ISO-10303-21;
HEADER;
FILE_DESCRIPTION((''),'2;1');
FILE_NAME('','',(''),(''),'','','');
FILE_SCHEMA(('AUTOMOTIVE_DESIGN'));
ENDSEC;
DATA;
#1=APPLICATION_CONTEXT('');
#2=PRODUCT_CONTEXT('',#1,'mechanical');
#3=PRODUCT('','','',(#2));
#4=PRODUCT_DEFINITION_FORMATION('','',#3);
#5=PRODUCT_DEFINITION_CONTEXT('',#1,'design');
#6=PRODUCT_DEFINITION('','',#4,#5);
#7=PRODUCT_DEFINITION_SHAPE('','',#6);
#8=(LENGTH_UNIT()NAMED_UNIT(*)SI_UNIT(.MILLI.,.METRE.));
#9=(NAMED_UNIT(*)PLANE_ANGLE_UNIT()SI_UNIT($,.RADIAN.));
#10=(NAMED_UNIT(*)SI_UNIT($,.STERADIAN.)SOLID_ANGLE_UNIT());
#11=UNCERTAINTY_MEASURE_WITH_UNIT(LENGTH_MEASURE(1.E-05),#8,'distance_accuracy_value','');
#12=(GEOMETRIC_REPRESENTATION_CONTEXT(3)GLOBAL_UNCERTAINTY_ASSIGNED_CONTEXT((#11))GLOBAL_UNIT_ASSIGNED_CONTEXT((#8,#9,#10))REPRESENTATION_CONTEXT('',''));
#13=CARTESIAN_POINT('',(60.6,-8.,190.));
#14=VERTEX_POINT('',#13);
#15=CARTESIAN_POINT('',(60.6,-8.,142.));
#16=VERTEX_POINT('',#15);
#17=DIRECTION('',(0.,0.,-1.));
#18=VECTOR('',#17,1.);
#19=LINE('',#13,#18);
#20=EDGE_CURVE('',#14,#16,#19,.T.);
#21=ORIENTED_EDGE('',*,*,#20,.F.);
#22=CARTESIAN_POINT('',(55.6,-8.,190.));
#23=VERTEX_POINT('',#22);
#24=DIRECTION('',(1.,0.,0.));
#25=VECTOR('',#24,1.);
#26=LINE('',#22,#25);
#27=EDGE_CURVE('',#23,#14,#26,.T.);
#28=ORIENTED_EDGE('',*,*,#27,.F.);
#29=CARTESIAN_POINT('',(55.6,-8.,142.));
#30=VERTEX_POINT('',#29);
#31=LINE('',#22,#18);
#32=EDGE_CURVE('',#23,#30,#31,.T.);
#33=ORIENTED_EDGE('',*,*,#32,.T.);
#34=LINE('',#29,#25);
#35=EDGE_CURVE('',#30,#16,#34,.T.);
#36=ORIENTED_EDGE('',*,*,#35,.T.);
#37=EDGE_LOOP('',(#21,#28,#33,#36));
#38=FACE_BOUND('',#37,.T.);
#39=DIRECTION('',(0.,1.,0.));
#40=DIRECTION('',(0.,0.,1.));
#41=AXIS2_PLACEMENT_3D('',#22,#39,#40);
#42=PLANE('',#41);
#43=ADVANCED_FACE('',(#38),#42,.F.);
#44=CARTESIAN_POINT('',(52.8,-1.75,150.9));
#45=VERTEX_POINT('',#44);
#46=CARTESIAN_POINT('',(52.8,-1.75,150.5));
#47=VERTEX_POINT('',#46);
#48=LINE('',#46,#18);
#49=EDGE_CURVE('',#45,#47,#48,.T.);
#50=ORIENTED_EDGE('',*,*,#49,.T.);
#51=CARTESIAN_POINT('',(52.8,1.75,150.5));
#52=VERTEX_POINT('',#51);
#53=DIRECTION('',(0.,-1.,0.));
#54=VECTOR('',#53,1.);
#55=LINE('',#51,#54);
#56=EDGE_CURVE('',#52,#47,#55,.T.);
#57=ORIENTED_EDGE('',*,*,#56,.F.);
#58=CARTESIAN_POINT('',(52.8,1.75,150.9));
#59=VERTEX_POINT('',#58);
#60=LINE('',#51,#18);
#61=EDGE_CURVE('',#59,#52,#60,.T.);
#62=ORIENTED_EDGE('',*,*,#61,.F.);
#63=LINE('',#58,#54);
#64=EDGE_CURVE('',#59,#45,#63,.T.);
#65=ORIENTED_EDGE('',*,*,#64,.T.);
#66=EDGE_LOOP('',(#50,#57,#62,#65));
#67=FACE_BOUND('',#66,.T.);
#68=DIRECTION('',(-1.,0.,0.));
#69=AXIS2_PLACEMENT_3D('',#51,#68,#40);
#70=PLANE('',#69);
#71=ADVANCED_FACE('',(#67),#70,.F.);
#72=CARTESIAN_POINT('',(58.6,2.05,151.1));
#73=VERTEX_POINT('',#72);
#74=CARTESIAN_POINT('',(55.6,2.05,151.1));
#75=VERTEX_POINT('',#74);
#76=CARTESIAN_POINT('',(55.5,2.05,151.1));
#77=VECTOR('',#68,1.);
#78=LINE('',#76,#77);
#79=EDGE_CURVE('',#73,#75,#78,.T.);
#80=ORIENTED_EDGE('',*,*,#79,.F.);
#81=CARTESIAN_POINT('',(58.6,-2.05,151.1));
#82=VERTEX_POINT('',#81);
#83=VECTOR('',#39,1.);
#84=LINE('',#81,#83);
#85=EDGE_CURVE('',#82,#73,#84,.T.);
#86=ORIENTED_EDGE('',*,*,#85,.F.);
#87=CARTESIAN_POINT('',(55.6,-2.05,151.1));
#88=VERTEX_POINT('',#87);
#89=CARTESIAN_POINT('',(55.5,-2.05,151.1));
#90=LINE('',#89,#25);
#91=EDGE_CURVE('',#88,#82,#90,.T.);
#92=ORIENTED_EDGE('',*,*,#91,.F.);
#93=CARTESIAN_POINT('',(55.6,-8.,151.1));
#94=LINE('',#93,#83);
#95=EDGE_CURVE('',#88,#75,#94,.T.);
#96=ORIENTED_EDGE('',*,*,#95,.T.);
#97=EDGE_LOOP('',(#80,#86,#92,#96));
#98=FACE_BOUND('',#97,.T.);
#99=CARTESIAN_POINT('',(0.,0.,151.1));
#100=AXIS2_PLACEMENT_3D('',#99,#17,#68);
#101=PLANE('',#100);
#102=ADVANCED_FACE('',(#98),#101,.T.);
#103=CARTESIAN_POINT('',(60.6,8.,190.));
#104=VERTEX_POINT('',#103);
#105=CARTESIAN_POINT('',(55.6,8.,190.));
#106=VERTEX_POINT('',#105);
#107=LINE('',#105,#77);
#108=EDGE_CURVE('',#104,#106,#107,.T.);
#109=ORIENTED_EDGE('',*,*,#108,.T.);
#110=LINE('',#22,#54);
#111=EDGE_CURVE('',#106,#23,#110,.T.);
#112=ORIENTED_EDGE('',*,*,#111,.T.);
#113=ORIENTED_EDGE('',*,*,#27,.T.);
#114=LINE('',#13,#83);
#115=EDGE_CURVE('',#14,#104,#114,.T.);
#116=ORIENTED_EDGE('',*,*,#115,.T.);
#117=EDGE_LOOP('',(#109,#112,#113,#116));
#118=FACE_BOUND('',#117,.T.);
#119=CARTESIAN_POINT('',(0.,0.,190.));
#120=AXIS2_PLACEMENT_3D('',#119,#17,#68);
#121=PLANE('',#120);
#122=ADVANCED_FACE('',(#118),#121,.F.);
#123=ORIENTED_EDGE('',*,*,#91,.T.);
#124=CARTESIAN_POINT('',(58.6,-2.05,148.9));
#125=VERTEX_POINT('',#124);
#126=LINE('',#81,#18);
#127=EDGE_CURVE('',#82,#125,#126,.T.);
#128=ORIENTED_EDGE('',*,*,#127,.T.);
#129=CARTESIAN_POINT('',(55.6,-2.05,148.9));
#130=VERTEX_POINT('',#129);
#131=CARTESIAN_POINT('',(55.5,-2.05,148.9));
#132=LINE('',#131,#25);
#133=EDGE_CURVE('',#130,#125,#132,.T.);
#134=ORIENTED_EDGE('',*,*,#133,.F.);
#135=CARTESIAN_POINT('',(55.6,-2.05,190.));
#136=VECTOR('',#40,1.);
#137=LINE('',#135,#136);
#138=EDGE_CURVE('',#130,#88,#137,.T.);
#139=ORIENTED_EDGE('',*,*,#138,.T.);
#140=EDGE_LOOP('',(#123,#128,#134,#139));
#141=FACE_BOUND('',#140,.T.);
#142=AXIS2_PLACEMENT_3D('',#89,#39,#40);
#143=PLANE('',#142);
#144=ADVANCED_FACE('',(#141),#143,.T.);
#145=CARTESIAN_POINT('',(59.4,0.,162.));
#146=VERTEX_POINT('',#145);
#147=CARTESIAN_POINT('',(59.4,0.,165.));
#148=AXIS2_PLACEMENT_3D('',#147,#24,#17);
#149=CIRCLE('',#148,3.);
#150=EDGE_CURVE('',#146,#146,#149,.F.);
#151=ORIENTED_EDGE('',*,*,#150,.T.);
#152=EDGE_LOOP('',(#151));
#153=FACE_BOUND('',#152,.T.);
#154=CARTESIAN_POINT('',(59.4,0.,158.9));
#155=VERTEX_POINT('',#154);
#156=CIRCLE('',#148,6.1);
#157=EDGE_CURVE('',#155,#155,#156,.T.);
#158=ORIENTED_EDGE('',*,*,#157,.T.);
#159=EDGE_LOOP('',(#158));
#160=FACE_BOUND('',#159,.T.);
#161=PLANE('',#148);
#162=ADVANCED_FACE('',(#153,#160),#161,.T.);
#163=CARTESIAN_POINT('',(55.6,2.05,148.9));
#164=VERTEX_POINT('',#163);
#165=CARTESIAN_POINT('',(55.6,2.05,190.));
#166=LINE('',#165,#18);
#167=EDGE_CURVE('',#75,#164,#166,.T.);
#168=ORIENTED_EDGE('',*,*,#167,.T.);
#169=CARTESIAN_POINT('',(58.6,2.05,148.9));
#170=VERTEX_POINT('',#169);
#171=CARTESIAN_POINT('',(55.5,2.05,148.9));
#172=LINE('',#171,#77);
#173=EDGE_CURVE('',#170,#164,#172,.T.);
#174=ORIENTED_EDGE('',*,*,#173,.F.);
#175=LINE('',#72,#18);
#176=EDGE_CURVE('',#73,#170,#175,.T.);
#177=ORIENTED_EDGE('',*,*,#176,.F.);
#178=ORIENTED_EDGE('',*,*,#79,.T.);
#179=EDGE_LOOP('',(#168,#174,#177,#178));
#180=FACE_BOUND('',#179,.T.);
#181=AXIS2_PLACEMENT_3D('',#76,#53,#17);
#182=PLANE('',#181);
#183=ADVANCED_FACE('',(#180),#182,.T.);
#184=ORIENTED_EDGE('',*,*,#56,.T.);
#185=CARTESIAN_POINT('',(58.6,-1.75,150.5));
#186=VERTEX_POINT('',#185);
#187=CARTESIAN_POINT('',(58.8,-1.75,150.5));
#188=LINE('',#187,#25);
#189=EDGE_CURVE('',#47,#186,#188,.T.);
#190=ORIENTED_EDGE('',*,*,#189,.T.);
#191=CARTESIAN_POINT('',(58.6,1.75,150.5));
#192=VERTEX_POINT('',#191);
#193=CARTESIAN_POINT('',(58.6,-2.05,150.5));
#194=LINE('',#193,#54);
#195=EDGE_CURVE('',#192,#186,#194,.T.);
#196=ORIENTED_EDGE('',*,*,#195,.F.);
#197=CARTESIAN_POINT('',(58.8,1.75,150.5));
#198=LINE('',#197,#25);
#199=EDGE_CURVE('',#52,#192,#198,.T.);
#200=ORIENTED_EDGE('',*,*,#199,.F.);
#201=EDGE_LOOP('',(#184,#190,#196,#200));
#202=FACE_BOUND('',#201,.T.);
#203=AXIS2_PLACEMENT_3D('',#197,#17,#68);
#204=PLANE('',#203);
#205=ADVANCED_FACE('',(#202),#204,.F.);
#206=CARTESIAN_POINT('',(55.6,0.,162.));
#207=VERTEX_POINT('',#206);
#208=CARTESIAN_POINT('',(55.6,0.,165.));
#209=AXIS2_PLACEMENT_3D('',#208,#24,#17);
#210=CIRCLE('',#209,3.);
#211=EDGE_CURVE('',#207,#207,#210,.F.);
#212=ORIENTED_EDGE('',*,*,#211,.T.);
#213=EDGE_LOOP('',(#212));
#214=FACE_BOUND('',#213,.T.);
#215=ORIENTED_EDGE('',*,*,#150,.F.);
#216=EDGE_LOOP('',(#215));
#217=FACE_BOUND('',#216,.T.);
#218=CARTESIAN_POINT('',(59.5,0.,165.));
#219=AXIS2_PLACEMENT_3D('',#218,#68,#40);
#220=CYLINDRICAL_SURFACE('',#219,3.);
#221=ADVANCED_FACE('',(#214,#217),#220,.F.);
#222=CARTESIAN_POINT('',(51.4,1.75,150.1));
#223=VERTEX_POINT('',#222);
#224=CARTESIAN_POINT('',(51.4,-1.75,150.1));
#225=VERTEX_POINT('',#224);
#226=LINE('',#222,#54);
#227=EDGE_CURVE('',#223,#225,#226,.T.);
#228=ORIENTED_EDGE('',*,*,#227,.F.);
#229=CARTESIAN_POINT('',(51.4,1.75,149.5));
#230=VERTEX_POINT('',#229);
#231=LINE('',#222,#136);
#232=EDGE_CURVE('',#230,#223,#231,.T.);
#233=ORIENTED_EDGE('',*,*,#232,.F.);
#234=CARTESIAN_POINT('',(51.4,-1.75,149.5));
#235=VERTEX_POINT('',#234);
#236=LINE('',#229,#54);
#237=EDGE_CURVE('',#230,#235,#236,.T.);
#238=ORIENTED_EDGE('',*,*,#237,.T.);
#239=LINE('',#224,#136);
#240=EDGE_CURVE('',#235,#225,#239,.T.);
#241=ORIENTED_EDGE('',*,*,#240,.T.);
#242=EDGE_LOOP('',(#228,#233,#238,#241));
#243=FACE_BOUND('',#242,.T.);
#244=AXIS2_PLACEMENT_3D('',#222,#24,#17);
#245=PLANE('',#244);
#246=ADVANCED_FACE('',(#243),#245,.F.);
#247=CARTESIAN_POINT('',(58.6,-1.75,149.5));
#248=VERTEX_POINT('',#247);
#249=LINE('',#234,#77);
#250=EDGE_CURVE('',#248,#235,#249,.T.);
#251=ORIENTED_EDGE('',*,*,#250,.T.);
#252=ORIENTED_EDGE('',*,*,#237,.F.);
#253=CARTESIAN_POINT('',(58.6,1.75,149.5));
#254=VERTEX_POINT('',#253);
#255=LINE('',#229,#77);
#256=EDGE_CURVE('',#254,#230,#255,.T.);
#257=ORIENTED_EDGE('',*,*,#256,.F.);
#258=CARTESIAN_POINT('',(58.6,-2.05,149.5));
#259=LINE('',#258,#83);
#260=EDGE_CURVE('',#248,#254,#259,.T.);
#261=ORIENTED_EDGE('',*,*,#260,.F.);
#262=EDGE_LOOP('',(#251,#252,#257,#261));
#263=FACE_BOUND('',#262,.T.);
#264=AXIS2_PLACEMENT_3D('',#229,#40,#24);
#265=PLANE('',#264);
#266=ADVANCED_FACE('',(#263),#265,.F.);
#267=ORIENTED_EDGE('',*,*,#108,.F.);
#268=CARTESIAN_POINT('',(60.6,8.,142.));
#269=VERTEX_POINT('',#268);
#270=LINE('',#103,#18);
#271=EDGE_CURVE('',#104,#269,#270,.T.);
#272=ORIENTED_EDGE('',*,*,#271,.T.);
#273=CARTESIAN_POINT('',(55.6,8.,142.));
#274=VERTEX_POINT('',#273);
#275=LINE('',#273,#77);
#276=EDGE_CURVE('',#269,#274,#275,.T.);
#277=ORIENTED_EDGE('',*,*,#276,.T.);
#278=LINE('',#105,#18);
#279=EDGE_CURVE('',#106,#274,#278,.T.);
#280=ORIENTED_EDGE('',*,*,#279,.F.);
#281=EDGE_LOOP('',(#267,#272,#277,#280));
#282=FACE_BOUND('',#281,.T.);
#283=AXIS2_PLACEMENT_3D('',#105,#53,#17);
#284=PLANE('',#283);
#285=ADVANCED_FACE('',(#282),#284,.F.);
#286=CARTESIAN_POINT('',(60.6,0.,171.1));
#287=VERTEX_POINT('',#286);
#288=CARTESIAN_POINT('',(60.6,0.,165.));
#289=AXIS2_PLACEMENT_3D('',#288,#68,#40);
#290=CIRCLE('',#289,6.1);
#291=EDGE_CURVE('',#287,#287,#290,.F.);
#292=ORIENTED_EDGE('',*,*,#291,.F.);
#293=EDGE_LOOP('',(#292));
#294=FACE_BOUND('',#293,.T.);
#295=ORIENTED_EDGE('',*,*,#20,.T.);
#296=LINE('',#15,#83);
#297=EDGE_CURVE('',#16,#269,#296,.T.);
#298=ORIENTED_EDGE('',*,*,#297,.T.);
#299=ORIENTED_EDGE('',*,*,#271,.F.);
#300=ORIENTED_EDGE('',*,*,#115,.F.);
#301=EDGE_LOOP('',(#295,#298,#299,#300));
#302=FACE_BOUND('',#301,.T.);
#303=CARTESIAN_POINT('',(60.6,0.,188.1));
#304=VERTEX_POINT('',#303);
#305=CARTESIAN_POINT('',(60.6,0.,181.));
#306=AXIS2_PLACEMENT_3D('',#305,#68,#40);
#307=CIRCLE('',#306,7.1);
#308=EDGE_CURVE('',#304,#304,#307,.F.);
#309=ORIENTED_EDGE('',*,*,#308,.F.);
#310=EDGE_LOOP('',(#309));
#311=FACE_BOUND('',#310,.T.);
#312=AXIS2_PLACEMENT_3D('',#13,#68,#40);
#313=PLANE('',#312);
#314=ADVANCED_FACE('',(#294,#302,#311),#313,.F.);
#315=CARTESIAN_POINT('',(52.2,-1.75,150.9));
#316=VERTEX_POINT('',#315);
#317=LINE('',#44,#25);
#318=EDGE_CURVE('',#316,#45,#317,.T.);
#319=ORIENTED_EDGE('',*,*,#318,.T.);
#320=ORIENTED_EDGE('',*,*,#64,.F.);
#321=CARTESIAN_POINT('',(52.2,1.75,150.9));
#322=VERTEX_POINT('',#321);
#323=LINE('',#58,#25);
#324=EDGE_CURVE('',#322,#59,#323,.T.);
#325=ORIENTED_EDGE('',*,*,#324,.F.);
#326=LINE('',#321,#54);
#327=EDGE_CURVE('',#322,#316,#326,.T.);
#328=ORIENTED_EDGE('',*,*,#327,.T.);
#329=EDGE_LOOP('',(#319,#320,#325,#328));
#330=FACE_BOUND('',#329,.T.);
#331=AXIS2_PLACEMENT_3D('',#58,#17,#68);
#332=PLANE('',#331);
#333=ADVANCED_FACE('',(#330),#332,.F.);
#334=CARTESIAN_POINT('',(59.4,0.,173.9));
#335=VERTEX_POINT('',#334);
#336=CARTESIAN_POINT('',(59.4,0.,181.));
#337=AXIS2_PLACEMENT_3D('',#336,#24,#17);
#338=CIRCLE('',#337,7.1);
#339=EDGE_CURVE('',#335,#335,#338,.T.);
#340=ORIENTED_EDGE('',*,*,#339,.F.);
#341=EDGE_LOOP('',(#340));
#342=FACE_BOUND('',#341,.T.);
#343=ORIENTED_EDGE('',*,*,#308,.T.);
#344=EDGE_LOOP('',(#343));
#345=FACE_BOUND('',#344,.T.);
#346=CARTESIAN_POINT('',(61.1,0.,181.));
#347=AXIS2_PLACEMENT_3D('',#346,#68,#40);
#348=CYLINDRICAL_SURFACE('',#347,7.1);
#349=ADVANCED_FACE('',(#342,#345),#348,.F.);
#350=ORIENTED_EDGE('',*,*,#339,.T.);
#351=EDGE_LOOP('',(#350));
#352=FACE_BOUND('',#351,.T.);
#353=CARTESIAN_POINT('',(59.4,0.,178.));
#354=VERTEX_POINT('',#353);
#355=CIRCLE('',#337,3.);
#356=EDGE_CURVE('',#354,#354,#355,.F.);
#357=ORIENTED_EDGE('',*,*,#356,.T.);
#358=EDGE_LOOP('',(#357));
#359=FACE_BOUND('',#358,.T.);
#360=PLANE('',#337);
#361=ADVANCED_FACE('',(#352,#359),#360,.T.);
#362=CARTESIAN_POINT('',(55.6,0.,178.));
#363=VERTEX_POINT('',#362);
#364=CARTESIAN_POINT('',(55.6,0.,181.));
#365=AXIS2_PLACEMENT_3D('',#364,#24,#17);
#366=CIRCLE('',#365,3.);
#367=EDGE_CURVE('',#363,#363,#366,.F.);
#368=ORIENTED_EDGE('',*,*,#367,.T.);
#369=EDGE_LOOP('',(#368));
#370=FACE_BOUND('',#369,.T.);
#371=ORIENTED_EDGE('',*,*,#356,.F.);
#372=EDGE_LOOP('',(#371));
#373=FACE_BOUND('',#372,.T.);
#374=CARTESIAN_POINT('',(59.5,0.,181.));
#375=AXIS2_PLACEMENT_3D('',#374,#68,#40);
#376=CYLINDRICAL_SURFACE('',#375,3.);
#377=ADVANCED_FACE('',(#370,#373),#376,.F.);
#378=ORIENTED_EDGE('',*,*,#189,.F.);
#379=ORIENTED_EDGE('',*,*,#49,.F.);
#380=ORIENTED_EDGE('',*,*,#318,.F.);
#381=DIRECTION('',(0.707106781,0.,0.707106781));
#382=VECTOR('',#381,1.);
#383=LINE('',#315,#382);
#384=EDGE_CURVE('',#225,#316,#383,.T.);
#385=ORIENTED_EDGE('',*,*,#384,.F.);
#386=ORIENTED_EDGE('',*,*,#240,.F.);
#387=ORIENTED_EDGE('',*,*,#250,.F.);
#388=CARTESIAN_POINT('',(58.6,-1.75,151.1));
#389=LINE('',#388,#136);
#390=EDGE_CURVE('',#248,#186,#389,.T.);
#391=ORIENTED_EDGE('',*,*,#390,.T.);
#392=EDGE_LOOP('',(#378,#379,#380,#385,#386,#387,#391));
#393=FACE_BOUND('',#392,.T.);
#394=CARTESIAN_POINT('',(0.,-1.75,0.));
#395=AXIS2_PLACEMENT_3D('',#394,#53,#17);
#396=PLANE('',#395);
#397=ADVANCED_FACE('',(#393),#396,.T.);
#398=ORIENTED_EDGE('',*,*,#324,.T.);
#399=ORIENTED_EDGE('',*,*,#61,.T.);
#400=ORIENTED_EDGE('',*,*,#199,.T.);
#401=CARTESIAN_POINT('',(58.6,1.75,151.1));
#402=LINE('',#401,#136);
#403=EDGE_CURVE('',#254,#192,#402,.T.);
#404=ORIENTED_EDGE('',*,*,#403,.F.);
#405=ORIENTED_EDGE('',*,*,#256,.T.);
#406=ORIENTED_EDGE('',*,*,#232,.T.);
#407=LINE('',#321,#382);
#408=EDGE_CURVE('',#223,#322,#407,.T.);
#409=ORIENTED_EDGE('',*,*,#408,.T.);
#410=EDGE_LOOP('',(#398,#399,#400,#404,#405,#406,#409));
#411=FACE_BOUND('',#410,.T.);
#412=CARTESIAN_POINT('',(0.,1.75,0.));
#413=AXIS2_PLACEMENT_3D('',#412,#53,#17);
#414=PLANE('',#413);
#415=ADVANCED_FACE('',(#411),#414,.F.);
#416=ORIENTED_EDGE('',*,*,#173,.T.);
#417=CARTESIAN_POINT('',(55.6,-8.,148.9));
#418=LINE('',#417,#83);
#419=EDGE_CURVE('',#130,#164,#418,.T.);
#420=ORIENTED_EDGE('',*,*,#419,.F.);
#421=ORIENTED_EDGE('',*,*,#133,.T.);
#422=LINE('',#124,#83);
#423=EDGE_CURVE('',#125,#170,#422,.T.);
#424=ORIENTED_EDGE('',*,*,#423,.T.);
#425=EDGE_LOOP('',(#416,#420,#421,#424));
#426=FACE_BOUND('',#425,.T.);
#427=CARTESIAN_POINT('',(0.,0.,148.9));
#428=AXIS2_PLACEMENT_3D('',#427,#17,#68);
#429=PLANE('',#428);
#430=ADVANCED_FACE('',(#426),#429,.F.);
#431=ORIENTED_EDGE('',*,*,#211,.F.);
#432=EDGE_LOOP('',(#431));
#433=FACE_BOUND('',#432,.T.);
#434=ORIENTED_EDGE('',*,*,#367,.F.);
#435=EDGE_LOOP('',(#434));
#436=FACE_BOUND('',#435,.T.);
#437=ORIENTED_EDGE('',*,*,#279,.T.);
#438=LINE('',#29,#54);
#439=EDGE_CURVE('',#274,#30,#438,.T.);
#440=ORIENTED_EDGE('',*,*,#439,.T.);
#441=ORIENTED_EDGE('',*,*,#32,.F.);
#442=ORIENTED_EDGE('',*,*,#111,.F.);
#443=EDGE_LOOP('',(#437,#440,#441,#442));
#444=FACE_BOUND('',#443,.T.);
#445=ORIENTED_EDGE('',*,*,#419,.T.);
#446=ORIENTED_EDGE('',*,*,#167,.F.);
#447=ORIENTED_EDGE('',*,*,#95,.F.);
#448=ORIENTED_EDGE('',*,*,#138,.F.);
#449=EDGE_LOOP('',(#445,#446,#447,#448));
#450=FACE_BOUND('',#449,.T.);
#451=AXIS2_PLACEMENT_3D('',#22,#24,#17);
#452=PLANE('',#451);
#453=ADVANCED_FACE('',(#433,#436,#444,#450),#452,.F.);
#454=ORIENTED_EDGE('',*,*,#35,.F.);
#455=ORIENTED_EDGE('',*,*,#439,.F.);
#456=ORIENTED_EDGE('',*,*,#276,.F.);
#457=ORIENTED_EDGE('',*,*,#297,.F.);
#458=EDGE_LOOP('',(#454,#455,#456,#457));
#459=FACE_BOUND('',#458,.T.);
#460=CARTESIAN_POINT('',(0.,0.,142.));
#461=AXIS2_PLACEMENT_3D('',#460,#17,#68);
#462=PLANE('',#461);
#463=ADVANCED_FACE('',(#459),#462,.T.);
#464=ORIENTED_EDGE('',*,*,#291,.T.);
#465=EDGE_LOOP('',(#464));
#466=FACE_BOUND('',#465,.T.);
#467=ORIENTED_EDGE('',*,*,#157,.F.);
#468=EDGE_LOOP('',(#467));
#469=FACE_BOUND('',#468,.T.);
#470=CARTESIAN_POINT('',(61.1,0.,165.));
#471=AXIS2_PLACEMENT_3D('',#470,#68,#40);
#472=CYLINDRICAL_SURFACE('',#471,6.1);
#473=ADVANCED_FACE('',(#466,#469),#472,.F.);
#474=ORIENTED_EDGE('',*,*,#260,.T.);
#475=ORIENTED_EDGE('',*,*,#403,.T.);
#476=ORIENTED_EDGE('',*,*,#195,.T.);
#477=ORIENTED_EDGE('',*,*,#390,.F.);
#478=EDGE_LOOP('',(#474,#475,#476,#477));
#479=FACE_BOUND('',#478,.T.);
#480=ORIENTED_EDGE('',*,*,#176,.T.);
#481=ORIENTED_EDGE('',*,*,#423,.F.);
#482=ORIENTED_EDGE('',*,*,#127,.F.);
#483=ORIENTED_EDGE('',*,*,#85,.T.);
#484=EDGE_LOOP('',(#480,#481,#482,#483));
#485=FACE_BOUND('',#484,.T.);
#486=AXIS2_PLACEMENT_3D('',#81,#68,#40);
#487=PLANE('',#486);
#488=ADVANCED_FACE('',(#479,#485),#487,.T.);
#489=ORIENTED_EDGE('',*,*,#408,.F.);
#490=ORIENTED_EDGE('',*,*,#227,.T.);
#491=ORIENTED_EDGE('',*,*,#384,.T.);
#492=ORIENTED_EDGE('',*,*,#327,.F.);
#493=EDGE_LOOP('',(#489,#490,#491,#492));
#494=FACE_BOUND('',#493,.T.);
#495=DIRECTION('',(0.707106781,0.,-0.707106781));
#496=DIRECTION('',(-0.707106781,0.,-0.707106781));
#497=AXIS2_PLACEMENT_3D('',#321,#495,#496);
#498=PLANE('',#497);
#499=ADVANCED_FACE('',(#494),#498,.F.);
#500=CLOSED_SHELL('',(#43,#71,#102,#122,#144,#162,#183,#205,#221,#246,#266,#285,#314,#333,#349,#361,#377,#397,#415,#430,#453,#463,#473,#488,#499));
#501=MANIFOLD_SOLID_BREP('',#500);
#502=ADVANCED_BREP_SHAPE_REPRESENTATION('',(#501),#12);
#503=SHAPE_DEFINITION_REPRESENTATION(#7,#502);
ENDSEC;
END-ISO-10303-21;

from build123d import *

# Parameters (mm, degrees)
BOSS_EXTRUDE1_START = 142
SKETCH1_W           = 5
SKETCH1_H           = 16
BOSS_EXTRUDE1_DEPTH = 48
BOSS_EXTRUDE2_START = 148.9
SKETCH2_W           = 3.1
SKETCH2_H           = 4.1
BOSS_EXTRUDE2_DEPTH = 2.2
BOSS_EXTRUDE3_START = -1.75
BOSS_EXTRUDE3_DEPTH = 3.5
BOSS_EXTRUDE4_START = 59.4
SKETCH4_R           = 6.1
BOSS_EXTRUDE4_DEPTH = 1.7
BOSS_EXTRUDE5_START = 55.1
SKETCH5_R           = 3
BOSS_EXTRUDE5_DEPTH = 4.4
BOSS_EXTRUDE6_START = 59.4
SKETCH6_R           = 7.1
BOSS_EXTRUDE6_DEPTH = 1.7
BOSS_EXTRUDE7_START = 55.1
SKETCH7_R           = 3
BOSS_EXTRUDE7_DEPTH = 4.4


with BuildPart() as part:
    # Sketch1 → Boss-Extrude1 (new body)
    with BuildSketch(Plane.XY.offset(BOSS_EXTRUDE1_START)):
        with Locations((58.1, 0)):
            Rectangle(SKETCH1_W, SKETCH1_H)
    extrude(amount=BOSS_EXTRUDE1_DEPTH)


with BuildPart() as body_2:
    # Sketch2 → Boss-Extrude2 (new body)
    with BuildSketch(Plane.XY.offset(BOSS_EXTRUDE2_START)):
        with Locations((57.05, 0)):
            Rectangle(SKETCH2_W, SKETCH2_H)
    extrude(amount=BOSS_EXTRUDE2_DEPTH)


with BuildPart() as part_1:
    add(part.part)

    # Combine1: cut body 2
    add(body_2.part, mode=Mode.SUBTRACT)

    # Sketch3 → Boss-Extrude3 (add)
    with BuildSketch(Plane(origin=(0, 0, 0), x_dir=(1, 0, 0), z_dir=(0, 1, 0)).offset(BOSS_EXTRUDE3_START)):
        Polygon((58.8, -149.5), (58.8, -150.5), (52.8, -150.5), (52.8, -150.9), (52.2, -150.9), (51.4, -150.1), (51.4, -149.5), align=None)
    extrude(amount=BOSS_EXTRUDE3_DEPTH)


with BuildPart() as body_2_2:
    # Sketch4 → Boss-Extrude4 (new body)
    with BuildSketch(Plane(origin=(0, 0, 0), x_dir=(0, 0, -1), z_dir=(1, 0, 0)).offset(BOSS_EXTRUDE4_START)):
        with Locations((-165, 0)):
            Circle(SKETCH4_R)
    extrude(amount=BOSS_EXTRUDE4_DEPTH)


with BuildPart() as part_2:
    add(part_1.part)

    # Combine2: cut body 2 2
    add(body_2_2.part, mode=Mode.SUBTRACT)


with BuildPart() as body_2_3:
    # Sketch5 → Boss-Extrude5 (new body)
    with BuildSketch(Plane(origin=(0, 0, 0), x_dir=(0, 0, -1), z_dir=(1, 0, 0)).offset(BOSS_EXTRUDE5_START)):
        with Locations((-165, 0)):
            Circle(SKETCH5_R)
    extrude(amount=BOSS_EXTRUDE5_DEPTH)


with BuildPart() as part_3:
    add(part_2.part)

    # Combine3: cut body 2 3
    add(body_2_3.part, mode=Mode.SUBTRACT)


with BuildPart() as body_2_4:
    # Sketch6 → Boss-Extrude6 (new body)
    with BuildSketch(Plane(origin=(0, 0, 0), x_dir=(0, 0, -1), z_dir=(1, 0, 0)).offset(BOSS_EXTRUDE6_START)):
        with Locations((-181, 0)):
            Circle(SKETCH6_R)
    extrude(amount=BOSS_EXTRUDE6_DEPTH)


with BuildPart() as part_4:
    add(part_3.part)

    # Combine4: cut body 2 4
    add(body_2_4.part, mode=Mode.SUBTRACT)


with BuildPart() as body_2_5:
    # Sketch7 → Boss-Extrude7 (new body)
    with BuildSketch(Plane(origin=(0, 0, 0), x_dir=(0, 0, -1), z_dir=(1, 0, 0)).offset(BOSS_EXTRUDE7_START)):
        with Locations((-181, 0)):
            Circle(SKETCH7_R)
    extrude(amount=BOSS_EXTRUDE7_DEPTH)


with BuildPart() as part_5:
    add(part_4.part)

    # Combine5: cut body 2 5
    add(body_2_5.part, mode=Mode.SUBTRACT)


solid = part_5.part
